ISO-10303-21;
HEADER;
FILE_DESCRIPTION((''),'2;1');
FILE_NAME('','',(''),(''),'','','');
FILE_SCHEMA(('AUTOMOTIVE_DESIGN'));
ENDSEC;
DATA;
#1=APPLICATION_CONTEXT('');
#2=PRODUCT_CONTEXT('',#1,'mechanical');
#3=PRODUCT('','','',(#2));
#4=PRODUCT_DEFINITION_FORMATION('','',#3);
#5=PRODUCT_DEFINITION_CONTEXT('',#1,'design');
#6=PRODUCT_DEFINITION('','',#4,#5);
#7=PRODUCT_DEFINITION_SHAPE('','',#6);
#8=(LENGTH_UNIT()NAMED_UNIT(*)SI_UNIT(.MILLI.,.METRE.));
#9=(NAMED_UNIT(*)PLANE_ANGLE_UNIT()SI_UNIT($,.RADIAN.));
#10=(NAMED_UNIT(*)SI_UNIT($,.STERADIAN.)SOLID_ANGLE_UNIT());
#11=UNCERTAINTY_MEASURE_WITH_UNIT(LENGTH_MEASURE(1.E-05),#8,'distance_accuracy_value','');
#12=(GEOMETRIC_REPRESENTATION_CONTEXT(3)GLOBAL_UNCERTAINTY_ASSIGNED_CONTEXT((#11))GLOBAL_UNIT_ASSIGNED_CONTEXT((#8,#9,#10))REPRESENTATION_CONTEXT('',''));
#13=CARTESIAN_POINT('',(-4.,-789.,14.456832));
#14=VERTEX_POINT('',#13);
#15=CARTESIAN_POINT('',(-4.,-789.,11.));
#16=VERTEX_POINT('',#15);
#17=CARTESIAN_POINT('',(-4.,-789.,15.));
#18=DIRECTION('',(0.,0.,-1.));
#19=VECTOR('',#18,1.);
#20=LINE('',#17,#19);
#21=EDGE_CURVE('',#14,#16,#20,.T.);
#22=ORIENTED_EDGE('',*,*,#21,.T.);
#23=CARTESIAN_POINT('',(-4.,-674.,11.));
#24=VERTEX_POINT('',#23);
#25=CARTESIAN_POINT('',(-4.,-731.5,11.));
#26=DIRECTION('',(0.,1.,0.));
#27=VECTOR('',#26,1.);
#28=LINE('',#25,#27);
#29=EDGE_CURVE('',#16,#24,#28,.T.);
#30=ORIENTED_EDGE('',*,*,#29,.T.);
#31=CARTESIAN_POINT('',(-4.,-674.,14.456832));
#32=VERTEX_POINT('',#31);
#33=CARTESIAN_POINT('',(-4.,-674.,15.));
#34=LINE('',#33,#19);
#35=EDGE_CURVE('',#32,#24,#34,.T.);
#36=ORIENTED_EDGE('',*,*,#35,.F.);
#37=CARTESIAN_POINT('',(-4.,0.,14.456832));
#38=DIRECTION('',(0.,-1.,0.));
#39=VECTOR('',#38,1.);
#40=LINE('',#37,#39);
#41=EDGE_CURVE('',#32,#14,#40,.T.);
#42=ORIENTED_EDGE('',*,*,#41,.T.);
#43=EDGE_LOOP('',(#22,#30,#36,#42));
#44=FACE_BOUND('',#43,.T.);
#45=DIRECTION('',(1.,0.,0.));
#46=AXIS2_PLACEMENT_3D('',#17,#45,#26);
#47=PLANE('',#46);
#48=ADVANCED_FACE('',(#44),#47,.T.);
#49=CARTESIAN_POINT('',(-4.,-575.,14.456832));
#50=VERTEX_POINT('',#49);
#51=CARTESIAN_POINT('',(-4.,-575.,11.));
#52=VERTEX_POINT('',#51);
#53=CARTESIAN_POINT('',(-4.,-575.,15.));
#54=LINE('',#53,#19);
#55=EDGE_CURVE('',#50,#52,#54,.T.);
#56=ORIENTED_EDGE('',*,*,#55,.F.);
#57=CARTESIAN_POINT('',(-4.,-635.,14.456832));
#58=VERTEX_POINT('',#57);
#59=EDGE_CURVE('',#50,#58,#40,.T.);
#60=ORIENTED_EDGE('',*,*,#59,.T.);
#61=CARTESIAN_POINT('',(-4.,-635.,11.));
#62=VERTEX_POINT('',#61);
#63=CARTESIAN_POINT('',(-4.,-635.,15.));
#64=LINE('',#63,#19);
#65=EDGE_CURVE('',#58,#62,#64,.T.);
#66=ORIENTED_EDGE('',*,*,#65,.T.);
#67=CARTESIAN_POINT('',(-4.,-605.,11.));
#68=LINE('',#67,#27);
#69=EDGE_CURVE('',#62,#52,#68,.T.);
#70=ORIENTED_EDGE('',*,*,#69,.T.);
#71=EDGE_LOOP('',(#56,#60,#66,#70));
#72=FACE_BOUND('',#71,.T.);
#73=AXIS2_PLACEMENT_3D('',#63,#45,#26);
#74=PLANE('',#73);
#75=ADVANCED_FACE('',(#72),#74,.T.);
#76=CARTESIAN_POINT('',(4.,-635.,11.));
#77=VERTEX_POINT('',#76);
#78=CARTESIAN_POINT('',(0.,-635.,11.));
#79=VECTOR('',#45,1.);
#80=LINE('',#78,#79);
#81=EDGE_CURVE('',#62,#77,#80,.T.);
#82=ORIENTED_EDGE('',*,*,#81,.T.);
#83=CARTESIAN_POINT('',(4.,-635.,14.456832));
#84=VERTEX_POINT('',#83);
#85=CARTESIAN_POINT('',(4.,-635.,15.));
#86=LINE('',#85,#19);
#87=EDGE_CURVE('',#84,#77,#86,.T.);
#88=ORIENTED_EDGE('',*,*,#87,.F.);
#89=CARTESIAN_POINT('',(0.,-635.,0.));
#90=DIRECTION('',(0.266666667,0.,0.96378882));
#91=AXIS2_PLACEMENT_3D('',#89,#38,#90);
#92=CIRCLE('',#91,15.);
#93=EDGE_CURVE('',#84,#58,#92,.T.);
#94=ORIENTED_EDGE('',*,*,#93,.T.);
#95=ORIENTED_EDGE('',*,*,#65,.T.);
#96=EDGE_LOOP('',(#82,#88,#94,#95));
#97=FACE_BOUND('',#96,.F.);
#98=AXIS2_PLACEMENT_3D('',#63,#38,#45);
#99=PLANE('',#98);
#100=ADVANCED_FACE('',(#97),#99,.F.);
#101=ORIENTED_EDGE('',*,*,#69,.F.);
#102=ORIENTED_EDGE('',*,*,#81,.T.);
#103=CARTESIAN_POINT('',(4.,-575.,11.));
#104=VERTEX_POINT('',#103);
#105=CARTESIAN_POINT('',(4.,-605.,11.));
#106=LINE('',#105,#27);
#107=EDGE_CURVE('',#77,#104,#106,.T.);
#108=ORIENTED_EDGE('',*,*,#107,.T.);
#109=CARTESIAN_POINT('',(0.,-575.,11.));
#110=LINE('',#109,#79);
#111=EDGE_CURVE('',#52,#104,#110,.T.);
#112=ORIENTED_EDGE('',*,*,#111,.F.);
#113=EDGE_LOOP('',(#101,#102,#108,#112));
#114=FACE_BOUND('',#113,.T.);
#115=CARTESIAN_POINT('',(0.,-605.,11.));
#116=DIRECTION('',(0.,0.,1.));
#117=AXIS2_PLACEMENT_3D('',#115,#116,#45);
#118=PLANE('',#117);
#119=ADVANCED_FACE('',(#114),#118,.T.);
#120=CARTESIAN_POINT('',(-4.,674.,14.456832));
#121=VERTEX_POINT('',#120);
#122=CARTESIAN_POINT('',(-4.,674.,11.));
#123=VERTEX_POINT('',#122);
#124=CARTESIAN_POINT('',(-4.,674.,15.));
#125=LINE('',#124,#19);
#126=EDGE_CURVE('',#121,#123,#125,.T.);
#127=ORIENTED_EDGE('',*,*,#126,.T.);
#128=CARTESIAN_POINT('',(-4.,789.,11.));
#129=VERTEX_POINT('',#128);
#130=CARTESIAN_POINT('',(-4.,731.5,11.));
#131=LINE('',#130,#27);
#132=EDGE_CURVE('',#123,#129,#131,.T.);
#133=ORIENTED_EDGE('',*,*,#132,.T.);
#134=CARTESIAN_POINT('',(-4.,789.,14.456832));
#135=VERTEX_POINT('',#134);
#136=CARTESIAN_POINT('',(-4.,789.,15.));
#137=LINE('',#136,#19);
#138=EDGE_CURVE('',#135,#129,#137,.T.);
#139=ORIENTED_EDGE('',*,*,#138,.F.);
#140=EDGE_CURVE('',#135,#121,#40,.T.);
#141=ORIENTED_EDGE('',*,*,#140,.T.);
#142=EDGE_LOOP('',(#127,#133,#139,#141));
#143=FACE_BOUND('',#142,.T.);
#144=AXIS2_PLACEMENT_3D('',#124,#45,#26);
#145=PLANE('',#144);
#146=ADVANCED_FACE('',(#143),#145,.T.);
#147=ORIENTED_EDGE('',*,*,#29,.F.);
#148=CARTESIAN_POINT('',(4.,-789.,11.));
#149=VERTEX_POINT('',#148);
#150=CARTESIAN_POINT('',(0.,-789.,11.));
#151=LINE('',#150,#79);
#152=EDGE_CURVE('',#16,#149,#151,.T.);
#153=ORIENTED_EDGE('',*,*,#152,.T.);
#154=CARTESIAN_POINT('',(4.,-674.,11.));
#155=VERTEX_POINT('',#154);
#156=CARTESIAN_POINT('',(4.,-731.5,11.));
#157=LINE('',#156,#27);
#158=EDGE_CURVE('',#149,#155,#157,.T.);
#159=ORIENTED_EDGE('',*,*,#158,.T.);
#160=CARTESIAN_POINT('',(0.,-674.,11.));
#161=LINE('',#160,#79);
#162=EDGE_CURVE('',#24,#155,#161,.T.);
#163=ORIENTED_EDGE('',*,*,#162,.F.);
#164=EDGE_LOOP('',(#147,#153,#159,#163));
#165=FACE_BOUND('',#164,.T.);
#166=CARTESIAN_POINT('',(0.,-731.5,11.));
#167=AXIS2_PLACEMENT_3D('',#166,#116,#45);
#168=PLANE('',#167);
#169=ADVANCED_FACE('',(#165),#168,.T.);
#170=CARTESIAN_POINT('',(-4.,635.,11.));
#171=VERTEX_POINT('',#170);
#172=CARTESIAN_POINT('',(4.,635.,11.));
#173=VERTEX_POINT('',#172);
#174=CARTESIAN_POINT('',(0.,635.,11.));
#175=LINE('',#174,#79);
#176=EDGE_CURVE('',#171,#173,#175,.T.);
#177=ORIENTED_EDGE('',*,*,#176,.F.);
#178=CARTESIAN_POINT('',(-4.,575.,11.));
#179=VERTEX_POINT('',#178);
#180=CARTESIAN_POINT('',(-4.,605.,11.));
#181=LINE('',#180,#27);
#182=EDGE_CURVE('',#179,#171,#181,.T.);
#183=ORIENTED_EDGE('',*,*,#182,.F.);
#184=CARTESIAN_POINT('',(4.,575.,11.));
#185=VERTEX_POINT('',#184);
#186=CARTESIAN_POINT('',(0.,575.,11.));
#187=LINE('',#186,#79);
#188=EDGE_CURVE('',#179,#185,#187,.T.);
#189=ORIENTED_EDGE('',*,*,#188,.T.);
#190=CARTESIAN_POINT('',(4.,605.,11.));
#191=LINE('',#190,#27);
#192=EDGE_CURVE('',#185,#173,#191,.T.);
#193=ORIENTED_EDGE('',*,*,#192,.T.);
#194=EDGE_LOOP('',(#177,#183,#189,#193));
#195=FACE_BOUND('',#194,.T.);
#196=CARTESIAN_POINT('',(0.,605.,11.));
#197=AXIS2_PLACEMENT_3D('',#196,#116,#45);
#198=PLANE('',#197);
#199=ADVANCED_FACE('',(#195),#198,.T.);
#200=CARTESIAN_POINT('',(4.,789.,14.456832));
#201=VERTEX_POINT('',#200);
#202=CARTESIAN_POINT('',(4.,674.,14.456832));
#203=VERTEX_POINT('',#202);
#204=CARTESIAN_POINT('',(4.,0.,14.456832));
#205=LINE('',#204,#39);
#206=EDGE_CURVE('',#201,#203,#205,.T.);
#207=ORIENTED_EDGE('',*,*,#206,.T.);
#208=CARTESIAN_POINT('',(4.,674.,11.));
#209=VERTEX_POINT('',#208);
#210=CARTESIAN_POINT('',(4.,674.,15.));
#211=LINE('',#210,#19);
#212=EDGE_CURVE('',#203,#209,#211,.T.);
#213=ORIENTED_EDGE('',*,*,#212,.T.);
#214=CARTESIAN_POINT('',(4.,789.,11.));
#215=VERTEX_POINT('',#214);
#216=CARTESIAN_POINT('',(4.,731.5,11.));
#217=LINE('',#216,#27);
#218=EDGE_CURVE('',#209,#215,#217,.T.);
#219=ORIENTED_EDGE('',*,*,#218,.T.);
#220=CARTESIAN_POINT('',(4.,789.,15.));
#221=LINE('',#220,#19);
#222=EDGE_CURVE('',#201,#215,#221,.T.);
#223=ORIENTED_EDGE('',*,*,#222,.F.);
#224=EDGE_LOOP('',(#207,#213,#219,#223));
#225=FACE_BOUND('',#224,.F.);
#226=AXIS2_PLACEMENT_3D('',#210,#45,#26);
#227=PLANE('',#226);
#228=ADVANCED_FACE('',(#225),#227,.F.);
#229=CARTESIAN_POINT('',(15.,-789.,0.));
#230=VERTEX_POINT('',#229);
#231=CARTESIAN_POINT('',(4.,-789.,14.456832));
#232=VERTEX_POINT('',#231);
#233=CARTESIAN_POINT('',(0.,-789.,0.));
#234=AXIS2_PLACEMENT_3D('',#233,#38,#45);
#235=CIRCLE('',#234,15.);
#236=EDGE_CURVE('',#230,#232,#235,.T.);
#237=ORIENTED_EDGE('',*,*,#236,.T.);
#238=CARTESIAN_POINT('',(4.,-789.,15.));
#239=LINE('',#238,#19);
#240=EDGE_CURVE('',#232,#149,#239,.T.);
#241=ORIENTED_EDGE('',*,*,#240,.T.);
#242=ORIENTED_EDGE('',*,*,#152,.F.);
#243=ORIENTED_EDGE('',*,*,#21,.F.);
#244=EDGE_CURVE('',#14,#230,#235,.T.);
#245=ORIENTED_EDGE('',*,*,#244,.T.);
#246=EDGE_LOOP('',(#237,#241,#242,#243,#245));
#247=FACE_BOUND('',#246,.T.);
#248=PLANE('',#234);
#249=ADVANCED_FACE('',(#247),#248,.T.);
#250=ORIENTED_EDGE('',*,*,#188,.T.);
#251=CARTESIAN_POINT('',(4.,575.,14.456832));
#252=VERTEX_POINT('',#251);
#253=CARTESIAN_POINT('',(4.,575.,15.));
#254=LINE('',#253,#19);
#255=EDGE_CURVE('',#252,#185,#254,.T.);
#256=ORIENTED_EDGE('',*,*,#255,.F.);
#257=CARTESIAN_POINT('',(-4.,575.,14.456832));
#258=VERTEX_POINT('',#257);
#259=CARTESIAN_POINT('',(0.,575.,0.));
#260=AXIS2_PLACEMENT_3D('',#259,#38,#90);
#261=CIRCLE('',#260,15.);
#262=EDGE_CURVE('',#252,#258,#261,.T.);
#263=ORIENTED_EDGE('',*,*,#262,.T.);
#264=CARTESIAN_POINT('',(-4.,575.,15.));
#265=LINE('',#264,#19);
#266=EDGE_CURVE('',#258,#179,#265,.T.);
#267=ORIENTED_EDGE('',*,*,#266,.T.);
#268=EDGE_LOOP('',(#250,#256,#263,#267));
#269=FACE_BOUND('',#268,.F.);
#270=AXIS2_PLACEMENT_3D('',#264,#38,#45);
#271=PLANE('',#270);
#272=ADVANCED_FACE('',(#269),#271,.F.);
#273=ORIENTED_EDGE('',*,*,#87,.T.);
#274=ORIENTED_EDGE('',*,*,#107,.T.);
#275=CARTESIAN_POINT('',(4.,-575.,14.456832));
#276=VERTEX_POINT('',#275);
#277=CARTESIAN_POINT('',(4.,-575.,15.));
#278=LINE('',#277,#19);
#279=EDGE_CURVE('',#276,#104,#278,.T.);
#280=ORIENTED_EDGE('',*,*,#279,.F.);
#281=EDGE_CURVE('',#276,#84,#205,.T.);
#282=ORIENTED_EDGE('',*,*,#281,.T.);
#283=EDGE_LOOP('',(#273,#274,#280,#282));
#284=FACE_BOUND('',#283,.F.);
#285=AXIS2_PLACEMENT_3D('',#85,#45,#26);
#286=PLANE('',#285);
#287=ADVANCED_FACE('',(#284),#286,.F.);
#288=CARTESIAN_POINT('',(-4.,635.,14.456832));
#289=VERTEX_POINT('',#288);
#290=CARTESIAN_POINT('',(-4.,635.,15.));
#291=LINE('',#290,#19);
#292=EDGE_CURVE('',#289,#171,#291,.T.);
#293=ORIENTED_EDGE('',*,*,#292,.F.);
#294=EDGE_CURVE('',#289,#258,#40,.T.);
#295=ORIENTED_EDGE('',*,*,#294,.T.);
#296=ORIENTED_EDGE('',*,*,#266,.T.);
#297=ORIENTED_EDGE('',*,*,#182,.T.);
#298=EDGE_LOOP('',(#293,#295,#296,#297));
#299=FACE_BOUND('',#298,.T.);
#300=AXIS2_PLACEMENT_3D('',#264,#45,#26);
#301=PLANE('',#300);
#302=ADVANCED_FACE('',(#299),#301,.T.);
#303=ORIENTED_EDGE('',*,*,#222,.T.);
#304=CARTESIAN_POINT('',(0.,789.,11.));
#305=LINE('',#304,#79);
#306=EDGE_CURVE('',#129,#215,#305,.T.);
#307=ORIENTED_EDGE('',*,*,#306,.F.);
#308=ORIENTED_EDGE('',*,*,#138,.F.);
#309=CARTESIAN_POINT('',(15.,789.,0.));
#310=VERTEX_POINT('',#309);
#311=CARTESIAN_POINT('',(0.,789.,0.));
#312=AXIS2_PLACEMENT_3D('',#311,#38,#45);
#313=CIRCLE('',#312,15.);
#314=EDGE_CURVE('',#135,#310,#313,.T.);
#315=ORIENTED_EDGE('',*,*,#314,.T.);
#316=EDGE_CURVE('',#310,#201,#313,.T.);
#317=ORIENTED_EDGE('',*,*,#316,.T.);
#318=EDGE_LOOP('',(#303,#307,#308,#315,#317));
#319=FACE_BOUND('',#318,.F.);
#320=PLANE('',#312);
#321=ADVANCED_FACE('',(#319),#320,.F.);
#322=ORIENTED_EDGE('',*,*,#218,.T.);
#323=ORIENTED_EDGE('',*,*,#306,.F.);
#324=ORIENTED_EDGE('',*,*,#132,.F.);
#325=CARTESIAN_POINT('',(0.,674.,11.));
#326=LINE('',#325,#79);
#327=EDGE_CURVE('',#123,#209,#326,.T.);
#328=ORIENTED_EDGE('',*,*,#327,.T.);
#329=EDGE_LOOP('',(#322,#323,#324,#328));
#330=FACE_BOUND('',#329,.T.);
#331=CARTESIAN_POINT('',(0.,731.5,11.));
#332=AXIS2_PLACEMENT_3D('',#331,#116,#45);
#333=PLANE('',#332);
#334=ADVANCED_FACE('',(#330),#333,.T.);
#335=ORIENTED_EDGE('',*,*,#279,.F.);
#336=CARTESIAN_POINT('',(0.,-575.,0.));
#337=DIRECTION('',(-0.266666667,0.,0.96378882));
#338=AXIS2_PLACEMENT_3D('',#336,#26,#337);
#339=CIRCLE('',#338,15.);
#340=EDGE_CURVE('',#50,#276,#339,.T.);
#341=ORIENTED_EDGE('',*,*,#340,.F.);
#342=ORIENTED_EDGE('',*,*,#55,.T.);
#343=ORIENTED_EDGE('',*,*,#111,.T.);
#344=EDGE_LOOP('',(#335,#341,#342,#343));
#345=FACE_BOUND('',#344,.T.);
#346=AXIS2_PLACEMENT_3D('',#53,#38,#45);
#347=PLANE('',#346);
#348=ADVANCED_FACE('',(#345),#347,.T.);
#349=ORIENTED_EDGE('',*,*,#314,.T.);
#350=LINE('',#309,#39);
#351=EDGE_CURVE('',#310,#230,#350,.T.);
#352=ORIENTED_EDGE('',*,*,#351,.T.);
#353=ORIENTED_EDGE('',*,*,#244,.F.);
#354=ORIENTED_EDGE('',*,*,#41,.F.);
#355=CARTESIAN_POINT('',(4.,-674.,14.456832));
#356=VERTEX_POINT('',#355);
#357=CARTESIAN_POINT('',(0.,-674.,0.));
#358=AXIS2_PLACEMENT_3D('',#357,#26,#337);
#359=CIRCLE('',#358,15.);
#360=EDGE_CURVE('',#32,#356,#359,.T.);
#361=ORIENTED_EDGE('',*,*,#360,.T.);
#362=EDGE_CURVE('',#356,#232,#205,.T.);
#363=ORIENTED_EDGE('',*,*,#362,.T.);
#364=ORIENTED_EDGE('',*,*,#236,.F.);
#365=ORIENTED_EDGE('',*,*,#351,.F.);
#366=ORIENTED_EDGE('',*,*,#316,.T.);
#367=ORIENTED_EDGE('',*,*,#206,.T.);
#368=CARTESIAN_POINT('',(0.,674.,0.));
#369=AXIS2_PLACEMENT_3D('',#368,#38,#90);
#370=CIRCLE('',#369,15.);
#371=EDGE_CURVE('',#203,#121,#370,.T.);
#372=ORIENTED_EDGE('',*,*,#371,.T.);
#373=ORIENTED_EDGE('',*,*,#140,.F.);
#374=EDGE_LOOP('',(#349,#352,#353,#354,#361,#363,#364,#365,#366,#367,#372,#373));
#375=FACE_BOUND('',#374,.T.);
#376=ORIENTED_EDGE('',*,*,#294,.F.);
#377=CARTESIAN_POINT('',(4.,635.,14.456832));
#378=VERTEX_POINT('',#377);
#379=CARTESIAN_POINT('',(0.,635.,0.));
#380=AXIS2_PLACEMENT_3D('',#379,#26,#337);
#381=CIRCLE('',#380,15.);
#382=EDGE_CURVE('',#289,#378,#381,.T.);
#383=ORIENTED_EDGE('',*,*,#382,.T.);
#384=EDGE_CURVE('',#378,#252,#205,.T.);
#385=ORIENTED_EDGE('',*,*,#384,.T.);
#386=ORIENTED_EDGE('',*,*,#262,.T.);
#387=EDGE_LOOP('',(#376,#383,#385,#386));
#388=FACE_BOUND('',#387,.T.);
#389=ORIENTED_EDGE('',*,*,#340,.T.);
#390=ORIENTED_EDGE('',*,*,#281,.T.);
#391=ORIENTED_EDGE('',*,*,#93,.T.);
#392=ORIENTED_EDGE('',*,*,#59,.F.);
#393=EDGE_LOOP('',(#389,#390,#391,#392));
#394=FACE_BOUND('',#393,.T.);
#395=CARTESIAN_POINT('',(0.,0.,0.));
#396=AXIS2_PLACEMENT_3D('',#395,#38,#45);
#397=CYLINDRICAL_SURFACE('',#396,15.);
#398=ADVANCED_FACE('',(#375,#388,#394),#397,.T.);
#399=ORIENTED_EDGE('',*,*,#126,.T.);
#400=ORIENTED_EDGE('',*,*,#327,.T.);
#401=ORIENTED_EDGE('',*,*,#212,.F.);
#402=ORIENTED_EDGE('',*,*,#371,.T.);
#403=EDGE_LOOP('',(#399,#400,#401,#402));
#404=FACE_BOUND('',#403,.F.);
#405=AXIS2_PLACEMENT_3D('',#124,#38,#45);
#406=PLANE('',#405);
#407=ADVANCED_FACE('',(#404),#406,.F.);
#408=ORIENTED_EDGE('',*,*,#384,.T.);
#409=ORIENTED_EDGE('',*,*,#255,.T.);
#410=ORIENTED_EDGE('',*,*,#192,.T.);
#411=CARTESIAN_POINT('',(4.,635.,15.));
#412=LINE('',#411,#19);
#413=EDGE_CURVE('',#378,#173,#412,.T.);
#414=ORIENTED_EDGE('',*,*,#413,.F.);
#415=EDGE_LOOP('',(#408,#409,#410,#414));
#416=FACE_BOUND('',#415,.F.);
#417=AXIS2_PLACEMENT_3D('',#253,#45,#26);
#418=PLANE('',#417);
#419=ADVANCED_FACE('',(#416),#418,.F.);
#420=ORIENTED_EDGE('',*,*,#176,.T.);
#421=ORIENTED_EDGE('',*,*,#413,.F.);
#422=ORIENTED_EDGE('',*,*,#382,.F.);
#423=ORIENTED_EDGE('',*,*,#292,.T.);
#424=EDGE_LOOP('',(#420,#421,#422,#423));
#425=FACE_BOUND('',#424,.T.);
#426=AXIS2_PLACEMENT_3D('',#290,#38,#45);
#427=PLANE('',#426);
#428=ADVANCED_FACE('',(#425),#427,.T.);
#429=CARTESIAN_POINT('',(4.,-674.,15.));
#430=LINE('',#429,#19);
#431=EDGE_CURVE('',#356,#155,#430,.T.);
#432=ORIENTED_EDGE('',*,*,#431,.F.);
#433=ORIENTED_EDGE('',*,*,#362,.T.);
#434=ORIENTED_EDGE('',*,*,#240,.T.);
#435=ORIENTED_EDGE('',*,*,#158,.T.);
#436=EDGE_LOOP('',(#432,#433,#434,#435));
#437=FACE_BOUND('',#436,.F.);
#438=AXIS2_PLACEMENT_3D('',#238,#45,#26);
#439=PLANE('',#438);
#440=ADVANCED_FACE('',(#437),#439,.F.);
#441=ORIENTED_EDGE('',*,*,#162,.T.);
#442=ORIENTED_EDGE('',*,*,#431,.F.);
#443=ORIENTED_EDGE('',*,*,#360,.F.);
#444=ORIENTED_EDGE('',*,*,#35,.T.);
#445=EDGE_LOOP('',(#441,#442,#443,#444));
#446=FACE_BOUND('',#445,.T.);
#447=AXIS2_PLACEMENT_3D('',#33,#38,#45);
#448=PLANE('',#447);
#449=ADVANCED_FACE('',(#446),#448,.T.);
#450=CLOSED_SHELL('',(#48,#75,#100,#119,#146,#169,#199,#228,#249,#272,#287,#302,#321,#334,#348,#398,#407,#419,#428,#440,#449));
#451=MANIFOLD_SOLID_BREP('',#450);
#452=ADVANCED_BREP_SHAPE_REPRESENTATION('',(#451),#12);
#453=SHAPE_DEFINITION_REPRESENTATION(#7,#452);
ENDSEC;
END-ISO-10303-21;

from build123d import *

# Parameters (mm, degrees)
F0_R     = 15
F1_DEPTH = 789
F3_W     = 8
F3_H     = 115
F3_H_2   = 60
F4_DEPTH = 4


with BuildPart() as f1:
    # F0 (on Front) → F1 (new body, symmetric)
    with BuildSketch(Plane.XZ):
        Circle(F0_R)
    extrude(amount=F1_DEPTH, both=True)

    # F3 (on offset) → F4 (cut)
    with BuildSketch(Plane.XY.offset(15)):
        with Locations((0, 731.5)):
            Rectangle(F3_W, F3_H)
        with Locations((0, -605)):
            Rectangle(F3_W, F3_H_2)
        with Locations((0, -731.5)):
            Rectangle(F3_W, F3_H)
        with Locations((0, 605)):
            Rectangle(F3_W, F3_H_2)
    extrude(amount=-F4_DEPTH, mode=Mode.SUBTRACT)


solid = f1.part
